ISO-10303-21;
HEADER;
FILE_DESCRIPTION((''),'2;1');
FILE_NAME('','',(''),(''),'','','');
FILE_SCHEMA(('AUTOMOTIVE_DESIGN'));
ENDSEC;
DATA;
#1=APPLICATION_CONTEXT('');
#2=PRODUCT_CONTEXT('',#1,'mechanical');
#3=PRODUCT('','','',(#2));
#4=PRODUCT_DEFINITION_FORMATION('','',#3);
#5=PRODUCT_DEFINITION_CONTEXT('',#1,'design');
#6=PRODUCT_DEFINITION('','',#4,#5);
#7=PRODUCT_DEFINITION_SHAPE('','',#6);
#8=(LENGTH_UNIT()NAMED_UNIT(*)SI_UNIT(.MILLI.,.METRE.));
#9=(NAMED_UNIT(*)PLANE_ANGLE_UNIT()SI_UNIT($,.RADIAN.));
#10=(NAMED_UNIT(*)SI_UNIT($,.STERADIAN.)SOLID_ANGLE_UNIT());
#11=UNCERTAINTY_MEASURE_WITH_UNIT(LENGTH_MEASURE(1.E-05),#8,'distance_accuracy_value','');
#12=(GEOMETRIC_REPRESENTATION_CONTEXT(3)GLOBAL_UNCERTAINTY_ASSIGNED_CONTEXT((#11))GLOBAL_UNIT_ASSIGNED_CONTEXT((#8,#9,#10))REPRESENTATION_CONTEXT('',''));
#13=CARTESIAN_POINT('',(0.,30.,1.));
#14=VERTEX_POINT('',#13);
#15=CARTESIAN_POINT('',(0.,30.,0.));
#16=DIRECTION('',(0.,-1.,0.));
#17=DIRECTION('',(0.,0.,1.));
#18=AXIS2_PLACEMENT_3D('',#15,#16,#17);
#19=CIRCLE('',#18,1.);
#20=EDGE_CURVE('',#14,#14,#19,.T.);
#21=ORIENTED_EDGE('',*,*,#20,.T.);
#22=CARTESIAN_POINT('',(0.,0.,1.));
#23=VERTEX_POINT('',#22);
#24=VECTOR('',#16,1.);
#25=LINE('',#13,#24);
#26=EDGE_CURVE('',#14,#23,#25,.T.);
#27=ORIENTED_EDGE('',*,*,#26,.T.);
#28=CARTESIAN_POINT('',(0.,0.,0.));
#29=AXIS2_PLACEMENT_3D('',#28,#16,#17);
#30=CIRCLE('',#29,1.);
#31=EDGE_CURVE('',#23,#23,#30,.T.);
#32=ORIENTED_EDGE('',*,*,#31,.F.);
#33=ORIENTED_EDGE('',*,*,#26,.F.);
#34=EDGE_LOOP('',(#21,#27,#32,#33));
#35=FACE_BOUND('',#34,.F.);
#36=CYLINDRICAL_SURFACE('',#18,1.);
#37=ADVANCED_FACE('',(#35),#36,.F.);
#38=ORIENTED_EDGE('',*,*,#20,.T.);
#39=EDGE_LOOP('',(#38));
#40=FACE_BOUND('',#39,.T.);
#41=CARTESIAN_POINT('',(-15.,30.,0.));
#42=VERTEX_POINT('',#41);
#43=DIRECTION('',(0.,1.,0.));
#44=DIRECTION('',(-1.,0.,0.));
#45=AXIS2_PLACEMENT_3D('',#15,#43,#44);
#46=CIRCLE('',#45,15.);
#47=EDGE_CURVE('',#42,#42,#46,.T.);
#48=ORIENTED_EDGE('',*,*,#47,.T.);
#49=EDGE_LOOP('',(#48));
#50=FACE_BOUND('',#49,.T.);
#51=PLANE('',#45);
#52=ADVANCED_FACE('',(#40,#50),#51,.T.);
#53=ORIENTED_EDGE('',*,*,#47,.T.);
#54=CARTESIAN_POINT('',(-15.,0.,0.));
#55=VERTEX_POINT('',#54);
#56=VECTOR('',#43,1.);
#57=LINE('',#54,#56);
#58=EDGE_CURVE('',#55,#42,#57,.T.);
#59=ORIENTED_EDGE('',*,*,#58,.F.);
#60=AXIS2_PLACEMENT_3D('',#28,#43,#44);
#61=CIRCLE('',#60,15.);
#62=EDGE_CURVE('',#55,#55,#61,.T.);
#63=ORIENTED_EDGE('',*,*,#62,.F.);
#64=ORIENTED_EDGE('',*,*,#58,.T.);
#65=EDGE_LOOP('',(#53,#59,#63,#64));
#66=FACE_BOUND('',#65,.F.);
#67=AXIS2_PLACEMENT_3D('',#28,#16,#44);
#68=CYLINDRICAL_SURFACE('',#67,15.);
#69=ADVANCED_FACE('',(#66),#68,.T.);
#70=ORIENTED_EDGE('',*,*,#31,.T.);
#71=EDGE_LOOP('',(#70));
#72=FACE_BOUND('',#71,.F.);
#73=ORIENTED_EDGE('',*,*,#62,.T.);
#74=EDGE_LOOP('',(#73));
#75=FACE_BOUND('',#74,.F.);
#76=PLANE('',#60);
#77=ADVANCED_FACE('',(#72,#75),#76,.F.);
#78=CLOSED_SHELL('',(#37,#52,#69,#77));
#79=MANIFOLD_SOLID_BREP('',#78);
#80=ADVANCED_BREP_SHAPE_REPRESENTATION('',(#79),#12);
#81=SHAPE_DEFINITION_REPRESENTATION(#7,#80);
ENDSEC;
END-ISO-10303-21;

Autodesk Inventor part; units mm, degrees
ref_plane "YZ Plane" through (0, 0, 0) normal (1, 0, 0) x (0, 1, 0)
ref_plane "XZ Plane" through (0, 0, 0) normal (0, 1, 0) x (-1, 0, 0)
ref_plane "XY Plane" through (0, 0, 0) normal (0, 0, 1) x (1, 0, 0)
sketch "スケッチ1" plane through (0, 0, 0) normal (0, 1, 0) x (-1, 0, 0)
  circle A0 centre (0, 0) radius 15
  dimension "d0" = 30
extrude "押し出し1" add sketch "スケッチ1" along normal blind 30
sketch "スケッチ2" plane through (0, 30, 0) normal (0, 1, 0) x (1, 0, 0)
  circle A0 centre (0, 0) radius 1
  dimension "d3" = 2
hole "穴1" at (0, 30, 0) direction (0, -1, 0) diameter 2 depth 30
equation "\"BendRadius\" = Thickness"
equation "\"BendReliefWidth\" = Thickness"
equation "\"BendReliefDepth\" = 0.5 * Thickness"
equation "\"CornerReliefSize\" = 4 * Thickness"
equation "\"MinimumRemnant\" = 2 * Thickness"
equation "\"TransitionRadius\" = BendRadius"
equation "\"JacobiRadiusSize\" = BendRadius"
equation "\"GapSize\" = Thickness"
equation "\"Thickness\" = 0.5"
properties part number "kudou"
